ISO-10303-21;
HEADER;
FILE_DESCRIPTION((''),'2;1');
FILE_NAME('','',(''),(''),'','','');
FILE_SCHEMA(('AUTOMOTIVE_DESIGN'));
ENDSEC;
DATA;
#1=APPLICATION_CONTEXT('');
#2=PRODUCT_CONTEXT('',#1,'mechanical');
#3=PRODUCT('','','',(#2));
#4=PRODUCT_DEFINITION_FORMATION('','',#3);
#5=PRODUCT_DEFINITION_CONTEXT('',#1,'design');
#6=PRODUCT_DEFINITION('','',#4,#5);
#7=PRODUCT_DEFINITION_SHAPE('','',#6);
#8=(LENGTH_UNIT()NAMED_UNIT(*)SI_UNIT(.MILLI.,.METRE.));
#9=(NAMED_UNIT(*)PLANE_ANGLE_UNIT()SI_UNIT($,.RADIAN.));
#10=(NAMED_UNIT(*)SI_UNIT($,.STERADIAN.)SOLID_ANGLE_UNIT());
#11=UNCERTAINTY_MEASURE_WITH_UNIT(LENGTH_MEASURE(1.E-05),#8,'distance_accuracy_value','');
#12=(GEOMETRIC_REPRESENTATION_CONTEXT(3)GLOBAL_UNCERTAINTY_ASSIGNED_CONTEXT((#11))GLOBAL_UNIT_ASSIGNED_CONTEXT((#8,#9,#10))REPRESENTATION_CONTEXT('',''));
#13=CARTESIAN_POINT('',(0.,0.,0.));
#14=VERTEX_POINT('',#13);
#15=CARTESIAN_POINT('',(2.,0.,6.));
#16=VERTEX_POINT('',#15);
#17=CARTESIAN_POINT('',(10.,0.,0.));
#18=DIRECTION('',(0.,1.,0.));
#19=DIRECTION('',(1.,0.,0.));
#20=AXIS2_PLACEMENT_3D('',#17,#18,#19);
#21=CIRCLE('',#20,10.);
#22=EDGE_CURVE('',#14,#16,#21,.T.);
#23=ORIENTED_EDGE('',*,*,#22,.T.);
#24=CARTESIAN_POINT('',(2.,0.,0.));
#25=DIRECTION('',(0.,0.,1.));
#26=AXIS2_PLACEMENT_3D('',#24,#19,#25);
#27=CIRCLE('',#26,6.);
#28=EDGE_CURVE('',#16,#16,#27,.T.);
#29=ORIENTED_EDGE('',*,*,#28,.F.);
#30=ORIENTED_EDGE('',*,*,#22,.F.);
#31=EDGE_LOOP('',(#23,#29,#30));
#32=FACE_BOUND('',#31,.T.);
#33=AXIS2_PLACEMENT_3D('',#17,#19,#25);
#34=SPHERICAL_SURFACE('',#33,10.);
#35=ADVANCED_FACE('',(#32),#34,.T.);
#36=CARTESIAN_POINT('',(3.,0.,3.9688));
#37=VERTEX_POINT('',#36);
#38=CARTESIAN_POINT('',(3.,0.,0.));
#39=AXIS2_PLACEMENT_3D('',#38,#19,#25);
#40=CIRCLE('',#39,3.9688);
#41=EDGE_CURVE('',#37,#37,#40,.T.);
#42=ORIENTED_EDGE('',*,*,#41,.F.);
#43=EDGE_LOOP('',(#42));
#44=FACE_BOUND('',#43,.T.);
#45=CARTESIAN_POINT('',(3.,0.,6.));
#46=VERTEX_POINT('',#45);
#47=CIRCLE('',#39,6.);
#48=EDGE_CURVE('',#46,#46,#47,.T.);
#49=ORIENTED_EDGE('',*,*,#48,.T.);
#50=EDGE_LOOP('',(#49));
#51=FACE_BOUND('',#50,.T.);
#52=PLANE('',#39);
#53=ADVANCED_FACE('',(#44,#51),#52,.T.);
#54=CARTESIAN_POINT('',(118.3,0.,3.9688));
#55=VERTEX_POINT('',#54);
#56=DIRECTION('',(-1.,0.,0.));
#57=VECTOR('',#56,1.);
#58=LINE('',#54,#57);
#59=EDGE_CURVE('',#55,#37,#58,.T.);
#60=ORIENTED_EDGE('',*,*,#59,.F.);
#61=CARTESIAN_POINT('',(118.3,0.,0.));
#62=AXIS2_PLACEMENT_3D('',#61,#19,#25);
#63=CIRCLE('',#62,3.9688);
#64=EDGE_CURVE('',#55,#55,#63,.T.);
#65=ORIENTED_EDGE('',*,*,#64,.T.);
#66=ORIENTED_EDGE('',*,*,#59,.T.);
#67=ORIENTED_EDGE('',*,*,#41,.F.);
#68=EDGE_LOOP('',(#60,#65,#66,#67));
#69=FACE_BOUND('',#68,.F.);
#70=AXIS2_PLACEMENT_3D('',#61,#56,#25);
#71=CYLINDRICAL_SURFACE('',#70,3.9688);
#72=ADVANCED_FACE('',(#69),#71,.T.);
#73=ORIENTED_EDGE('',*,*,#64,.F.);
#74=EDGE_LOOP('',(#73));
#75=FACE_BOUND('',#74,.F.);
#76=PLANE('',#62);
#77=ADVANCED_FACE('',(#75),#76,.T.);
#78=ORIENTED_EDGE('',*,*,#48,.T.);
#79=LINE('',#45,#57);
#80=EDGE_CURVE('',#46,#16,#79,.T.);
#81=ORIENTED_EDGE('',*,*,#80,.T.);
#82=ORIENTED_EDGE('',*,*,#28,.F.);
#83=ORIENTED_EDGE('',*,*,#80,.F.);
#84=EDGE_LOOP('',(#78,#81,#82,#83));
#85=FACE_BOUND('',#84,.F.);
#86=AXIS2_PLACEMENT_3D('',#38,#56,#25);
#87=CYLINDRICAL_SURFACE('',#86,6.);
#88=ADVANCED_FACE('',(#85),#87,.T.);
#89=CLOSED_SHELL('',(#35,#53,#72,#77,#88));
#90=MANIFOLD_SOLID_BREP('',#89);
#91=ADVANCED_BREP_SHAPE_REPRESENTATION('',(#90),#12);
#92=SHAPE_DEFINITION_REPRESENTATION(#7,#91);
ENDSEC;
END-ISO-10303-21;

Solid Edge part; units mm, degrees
sketch "Sketch1" plane through (10.8674, 0, 10.8674) normal (0, -1, 0) x (1, 0, 0)
  line L0 (107.4326, -10.8674) -> (107.4326, -6.8986)
  line L1 (107.4326, -6.8986) -> (-7.8674, -6.8986)
  line L2 (-7.8674, -4.8674) -> (-7.8674, -6.8986)
  line L3 (-7.8674, -4.8674) -> (-8.8674, -4.8674)
  arc A0 (-10.8674, -10.8674) -> (-8.8674, -4.8674) centre (-0.8674, -10.8674) cw
  dimension "D1" = 10
  dimension "D2" = 1
  dimension "D3" = 2
  dimension "D4" = 115.3
revolve "RevolvedProtrusion1" add sketch "Sketch1" angle 360 about axis through (-100, 0, 0) along (1, 0, 0)
cosmetic_thread "Thread1" size "5/16-24 UNF"
properties material "Steel"
